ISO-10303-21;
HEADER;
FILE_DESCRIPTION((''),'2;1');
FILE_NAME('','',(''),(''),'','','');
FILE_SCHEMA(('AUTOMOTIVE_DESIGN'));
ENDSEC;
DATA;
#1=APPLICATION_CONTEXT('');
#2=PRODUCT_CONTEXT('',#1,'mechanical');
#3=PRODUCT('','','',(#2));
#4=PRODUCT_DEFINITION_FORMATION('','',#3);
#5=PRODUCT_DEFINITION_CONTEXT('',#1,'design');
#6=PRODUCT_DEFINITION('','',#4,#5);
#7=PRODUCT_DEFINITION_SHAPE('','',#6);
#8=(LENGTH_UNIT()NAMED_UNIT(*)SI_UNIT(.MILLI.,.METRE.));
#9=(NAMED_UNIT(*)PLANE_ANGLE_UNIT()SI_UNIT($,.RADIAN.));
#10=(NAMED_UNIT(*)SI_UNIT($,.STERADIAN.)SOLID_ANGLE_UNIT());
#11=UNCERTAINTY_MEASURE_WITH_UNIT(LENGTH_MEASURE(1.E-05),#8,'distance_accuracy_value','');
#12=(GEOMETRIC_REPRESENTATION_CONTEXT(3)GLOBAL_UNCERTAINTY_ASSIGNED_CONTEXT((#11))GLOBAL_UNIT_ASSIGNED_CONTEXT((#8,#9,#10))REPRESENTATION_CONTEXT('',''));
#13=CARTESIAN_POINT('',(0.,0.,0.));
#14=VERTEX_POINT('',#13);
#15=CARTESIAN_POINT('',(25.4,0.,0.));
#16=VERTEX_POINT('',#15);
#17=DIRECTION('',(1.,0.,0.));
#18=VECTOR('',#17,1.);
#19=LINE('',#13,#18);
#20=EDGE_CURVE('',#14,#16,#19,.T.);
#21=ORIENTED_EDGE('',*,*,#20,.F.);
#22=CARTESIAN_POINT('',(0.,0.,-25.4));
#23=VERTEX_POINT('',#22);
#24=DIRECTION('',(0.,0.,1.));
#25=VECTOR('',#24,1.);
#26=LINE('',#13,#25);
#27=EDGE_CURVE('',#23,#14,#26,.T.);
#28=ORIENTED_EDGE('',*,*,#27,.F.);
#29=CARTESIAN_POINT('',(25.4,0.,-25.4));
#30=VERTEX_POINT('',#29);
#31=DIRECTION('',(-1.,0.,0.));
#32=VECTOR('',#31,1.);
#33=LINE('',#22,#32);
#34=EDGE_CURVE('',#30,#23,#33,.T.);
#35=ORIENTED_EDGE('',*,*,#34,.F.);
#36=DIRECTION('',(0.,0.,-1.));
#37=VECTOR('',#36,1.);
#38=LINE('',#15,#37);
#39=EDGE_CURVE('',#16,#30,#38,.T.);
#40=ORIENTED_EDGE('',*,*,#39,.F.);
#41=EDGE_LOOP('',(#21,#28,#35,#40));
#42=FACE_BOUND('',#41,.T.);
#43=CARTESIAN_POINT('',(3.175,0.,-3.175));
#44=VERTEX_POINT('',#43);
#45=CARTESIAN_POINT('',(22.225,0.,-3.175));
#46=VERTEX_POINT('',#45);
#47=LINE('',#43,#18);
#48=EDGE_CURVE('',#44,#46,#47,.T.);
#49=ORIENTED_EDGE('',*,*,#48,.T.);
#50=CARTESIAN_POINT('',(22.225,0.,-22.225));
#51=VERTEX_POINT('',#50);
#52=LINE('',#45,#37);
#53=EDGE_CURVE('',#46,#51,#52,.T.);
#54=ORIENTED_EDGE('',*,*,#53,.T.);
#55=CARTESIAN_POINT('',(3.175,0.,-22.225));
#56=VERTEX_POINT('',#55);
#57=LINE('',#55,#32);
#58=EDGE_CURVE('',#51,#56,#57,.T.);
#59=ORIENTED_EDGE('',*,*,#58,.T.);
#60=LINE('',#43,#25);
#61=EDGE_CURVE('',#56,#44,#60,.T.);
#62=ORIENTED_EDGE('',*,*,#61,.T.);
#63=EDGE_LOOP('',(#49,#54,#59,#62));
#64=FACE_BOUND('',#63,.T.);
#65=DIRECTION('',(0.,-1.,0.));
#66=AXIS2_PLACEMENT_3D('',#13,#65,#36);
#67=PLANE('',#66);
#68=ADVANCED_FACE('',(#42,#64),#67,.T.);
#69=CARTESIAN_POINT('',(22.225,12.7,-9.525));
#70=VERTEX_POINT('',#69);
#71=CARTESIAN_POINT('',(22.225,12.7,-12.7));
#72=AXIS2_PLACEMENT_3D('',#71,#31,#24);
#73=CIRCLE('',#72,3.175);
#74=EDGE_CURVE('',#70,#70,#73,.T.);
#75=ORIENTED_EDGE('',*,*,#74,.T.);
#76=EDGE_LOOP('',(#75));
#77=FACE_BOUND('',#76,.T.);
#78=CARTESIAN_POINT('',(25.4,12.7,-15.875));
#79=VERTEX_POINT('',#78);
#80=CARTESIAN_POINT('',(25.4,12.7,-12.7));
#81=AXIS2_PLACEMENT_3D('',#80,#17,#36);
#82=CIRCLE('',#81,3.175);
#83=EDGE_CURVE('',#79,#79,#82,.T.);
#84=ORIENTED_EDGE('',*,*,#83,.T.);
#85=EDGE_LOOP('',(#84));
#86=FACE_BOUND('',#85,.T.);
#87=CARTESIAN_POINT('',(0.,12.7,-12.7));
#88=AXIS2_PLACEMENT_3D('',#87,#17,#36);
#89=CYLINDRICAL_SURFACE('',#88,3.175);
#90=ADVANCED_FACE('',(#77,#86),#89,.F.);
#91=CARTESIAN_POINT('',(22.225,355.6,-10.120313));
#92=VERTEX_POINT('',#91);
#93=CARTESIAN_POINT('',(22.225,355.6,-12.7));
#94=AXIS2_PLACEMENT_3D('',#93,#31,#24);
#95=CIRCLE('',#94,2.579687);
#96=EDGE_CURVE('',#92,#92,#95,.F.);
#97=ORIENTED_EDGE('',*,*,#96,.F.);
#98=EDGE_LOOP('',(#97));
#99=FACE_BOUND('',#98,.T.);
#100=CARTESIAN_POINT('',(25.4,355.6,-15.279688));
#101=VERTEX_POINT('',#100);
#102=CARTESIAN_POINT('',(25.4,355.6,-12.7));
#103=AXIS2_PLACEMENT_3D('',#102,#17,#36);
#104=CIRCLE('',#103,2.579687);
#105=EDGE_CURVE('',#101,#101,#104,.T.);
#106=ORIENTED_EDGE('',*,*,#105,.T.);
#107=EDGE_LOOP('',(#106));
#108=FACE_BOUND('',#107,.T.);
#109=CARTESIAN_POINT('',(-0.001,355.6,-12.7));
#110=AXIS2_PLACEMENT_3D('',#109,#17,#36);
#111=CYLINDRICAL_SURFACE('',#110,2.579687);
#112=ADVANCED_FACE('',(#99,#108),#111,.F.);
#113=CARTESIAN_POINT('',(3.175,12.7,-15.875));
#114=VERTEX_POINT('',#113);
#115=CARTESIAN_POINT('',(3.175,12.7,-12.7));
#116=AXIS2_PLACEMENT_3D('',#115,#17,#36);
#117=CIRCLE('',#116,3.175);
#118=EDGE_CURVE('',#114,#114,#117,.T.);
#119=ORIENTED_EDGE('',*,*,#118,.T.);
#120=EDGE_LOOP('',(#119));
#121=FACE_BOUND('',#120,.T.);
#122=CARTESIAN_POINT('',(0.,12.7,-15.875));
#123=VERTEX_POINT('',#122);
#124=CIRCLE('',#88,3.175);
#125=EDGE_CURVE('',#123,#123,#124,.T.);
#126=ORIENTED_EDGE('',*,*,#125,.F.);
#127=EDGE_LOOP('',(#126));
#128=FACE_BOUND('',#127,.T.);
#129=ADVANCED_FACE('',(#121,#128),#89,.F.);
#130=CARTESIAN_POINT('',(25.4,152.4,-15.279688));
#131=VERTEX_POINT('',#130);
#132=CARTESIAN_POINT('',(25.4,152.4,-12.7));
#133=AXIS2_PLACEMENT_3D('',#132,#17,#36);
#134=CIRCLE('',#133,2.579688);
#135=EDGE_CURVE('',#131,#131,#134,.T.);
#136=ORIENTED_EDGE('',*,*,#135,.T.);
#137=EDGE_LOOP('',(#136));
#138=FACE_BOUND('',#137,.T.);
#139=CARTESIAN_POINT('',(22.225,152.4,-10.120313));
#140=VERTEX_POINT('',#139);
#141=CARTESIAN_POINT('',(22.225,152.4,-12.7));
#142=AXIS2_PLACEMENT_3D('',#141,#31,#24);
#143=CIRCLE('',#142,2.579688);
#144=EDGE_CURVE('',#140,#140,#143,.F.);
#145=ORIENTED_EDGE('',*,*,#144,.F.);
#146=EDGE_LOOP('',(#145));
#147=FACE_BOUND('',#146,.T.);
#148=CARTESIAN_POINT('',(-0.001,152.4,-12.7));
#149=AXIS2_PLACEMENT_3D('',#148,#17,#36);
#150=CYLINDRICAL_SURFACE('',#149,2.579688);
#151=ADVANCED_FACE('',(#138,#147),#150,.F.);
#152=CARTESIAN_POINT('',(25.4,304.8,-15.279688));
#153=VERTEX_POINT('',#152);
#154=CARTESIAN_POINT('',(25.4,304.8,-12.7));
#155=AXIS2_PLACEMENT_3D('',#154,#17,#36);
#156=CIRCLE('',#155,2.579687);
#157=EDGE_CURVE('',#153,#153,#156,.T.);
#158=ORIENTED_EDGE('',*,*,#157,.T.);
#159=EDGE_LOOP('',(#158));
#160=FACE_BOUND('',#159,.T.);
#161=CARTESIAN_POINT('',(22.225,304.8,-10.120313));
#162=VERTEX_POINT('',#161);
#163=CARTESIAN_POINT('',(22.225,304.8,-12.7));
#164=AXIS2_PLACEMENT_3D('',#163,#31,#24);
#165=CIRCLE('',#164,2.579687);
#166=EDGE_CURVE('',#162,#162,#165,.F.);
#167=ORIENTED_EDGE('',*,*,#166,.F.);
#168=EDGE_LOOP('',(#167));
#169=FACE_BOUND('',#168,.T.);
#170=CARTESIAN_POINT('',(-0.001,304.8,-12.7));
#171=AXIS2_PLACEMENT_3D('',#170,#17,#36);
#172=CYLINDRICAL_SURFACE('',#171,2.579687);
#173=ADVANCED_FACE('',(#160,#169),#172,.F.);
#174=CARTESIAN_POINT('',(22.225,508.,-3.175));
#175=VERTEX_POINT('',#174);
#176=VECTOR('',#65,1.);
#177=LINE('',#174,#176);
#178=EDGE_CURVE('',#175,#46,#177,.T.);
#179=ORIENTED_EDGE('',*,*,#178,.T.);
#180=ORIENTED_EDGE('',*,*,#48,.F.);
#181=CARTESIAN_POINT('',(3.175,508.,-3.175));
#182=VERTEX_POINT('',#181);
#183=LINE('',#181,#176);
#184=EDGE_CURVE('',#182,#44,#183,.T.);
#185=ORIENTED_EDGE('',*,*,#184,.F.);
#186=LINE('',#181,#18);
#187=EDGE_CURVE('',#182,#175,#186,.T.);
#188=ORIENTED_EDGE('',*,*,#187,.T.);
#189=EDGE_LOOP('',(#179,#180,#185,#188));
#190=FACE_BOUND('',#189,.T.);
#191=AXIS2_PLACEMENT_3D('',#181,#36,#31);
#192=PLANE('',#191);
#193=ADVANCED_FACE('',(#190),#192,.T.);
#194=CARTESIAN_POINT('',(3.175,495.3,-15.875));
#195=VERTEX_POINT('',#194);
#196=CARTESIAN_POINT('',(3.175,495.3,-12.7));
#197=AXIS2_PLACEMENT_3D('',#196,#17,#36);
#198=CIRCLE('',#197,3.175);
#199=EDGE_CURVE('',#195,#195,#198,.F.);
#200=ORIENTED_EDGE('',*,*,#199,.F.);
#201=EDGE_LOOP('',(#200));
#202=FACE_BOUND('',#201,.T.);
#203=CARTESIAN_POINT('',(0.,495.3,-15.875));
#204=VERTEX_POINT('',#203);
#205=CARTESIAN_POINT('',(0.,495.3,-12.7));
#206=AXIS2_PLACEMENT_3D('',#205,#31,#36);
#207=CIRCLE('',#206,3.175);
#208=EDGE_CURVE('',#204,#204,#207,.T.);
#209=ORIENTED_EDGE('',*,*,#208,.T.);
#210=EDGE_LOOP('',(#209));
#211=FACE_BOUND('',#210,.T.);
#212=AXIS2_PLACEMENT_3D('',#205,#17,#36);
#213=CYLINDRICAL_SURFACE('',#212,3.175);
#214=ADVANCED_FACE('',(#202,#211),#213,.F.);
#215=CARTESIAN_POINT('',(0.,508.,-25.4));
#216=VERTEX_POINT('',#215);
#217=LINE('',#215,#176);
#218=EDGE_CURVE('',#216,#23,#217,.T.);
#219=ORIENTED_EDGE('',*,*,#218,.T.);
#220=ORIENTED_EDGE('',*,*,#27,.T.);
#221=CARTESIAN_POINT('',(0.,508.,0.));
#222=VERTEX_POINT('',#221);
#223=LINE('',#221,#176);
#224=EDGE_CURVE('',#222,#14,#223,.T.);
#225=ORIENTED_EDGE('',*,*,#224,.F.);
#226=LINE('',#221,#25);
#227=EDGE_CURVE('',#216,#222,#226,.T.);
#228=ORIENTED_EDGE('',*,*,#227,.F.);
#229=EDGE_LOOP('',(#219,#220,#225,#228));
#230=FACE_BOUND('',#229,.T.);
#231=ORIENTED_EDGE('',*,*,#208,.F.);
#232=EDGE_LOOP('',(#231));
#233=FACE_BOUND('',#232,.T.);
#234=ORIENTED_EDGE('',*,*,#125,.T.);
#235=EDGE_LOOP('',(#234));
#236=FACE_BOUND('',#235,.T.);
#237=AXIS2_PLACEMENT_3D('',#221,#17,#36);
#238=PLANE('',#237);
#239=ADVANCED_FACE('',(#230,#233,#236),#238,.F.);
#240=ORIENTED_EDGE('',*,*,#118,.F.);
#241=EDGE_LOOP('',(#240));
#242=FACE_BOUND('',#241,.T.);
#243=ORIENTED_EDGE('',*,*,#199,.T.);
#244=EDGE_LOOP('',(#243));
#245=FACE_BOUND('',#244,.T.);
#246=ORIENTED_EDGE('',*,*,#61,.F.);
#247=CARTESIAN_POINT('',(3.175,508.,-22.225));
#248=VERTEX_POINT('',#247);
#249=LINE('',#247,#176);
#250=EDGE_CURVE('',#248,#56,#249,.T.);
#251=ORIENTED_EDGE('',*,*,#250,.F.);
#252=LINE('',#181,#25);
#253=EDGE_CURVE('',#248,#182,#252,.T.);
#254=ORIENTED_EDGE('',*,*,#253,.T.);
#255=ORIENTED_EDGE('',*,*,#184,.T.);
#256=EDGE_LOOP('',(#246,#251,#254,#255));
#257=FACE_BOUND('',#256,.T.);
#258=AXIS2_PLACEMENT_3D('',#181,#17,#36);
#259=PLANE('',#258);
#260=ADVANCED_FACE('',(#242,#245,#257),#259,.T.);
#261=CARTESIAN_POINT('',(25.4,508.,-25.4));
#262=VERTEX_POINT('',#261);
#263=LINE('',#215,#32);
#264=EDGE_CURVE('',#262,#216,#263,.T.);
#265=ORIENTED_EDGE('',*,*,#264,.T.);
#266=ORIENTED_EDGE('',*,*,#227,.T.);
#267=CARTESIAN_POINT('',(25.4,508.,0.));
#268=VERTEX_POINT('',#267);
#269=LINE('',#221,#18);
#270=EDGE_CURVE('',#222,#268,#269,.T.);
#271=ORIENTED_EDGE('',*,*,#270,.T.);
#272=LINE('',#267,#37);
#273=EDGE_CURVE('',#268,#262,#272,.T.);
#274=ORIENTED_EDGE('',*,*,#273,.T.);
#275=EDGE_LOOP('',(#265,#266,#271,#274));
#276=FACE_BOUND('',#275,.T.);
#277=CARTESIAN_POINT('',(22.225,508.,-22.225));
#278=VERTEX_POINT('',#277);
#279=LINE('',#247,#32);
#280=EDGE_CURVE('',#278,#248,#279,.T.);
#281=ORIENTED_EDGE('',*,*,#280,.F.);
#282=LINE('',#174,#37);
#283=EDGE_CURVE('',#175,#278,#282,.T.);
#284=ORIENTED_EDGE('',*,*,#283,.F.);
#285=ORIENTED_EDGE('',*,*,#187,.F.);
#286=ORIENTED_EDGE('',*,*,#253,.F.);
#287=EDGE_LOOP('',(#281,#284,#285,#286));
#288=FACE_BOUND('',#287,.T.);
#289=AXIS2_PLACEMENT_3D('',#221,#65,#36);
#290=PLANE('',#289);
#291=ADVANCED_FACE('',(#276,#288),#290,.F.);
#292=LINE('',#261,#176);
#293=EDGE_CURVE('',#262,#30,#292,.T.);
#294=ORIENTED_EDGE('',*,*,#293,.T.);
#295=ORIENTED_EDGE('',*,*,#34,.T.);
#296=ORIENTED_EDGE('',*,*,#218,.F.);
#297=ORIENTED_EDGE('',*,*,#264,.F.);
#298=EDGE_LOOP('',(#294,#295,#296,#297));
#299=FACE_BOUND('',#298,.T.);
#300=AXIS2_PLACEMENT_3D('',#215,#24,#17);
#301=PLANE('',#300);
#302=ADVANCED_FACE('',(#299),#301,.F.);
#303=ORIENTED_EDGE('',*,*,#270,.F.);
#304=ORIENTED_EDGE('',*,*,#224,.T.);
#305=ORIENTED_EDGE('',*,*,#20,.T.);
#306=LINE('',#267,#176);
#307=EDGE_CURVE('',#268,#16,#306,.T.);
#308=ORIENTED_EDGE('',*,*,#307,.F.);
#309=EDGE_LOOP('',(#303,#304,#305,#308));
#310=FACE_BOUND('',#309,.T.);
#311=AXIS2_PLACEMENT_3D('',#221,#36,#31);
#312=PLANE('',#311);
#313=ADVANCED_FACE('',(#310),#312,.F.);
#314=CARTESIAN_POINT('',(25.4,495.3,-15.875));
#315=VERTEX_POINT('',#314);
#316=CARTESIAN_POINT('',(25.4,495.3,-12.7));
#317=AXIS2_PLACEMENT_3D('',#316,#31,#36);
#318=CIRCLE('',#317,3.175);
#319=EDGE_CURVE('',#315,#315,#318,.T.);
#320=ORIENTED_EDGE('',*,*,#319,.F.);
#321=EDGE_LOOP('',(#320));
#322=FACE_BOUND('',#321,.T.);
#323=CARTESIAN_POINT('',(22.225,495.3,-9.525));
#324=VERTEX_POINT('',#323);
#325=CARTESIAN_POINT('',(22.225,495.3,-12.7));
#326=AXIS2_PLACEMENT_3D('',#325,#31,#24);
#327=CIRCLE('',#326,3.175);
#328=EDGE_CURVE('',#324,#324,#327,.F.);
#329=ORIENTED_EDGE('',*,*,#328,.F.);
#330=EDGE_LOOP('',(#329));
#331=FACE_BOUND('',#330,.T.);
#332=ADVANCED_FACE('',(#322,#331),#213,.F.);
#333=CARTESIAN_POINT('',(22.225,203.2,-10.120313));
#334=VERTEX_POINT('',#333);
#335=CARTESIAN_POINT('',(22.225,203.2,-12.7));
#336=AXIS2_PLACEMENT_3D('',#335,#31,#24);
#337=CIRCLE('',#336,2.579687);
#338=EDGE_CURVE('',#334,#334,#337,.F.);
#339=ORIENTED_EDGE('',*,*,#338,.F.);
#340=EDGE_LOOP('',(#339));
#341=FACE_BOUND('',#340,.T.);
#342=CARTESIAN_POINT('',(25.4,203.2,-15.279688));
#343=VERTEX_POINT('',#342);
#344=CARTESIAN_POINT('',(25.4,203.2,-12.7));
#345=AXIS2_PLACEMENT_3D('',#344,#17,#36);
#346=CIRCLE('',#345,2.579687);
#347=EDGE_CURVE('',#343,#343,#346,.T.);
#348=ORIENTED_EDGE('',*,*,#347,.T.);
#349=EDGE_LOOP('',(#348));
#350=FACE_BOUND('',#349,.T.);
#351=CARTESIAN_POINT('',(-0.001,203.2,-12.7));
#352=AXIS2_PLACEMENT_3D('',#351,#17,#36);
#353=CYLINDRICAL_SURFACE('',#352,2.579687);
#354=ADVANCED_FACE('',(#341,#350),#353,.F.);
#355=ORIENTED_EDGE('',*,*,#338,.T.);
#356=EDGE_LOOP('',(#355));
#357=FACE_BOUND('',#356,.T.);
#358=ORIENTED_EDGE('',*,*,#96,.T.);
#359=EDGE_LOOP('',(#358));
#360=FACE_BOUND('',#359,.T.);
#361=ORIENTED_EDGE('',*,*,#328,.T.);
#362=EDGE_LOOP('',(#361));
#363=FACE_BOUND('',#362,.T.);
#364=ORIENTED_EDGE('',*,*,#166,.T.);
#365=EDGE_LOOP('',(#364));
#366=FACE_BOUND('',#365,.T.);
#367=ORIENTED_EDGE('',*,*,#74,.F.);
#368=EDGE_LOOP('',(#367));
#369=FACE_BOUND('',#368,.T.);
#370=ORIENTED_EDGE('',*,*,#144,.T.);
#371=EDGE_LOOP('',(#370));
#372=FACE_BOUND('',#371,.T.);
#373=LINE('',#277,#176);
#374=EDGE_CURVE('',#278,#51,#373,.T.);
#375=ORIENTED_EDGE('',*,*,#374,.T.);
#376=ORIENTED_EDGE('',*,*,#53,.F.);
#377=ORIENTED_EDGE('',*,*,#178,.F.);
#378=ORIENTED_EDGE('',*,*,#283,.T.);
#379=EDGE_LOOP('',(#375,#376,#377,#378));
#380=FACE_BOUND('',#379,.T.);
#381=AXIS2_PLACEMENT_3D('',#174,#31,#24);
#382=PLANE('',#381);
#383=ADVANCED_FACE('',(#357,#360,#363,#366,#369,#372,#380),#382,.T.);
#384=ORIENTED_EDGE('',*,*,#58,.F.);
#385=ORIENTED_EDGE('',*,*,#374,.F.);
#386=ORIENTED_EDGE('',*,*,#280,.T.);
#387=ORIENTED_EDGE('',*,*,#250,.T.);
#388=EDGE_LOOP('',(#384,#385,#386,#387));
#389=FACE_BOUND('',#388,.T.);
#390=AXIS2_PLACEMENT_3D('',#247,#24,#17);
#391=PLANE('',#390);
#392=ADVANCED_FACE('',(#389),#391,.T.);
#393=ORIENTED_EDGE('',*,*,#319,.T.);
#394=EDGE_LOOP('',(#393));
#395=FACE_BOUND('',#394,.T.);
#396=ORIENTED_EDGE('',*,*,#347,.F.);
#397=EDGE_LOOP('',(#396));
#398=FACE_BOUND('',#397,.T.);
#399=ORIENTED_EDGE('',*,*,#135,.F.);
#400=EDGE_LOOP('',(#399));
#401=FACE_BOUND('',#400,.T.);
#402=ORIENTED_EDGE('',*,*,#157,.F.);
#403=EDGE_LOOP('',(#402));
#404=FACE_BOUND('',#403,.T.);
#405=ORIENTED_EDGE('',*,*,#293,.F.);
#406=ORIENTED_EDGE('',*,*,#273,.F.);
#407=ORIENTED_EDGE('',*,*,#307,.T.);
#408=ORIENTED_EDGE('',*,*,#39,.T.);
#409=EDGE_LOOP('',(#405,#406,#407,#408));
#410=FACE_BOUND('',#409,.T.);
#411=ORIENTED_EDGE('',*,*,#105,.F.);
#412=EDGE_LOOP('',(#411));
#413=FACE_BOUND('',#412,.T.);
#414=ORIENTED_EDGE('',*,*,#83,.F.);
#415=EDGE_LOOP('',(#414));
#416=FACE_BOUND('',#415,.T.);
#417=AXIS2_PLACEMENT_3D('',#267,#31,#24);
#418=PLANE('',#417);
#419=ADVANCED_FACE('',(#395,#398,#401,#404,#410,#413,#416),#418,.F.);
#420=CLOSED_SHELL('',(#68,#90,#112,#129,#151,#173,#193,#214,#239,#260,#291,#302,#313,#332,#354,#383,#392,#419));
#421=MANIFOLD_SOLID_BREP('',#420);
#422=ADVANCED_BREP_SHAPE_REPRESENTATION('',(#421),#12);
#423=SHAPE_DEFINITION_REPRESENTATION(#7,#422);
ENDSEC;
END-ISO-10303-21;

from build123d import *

# Parameters (mm, degrees)
SKETCH1_W           = 25.4
SKETCH1_H           = 25.4
SKETCH1_W_2         = 19.05
SKETCH1_H_2         = 19.05
BOSS_EXTRUDE1_DEPTH = 508
SKETCH2_R           = 3.175
CUT_EXTRUDE1_DEPTH  = 510.268416456
CUT_EXTRUDE2_REACH  = 511.268
SKETCH3_R           = 2.5796875


with BuildPart() as part:
    # Sketch1 → Boss-Extrude1 (new body)
    with BuildSketch(Plane(origin=(0, 0, 0), x_dir=(1, 0, 0), z_dir=(0, 1, 0))):
        with Locations((12.7, 12.7)):
            Rectangle(SKETCH1_W, SKETCH1_H)
        with Locations((12.7, 12.7)):
            Rectangle(SKETCH1_W_2, SKETCH1_H_2, mode=Mode.SUBTRACT)
    extrude(amount=BOSS_EXTRUDE1_DEPTH)

    # Sketch2 → Cut-Extrude1 (cut, through all)
    with BuildSketch(Plane(origin=(25.4, 0, 0), x_dir=(0, 0, -1), z_dir=(1, 0, 0))):
        with Locations((12.7, 12.7)):
            Circle(SKETCH2_R)
    cut_extrude1 = extrude(amount=-CUT_EXTRUDE1_DEPTH, mode=Mode.SUBTRACT)

    # Mirror1: Cut-Extrude1 across plane
    add(cut_extrude1.mirror(Plane.ZX.offset(254)), mode=Mode.SUBTRACT)

    # Sketch3 → Cut-Extrude2 (cut, up to next)
    with BuildSketch(Plane(origin=(25.4, 0, 0), x_dir=(0, 0, -1), z_dir=(1, 0, 0)), mode=Mode.PRIVATE) as cut_extrude2_sk1:
        with Locations((12.7, 304.800000001)):
            Circle(SKETCH3_R)
    cut_extrude2_tool1 = extrude(cut_extrude2_sk1.sketch, amount=-CUT_EXTRUDE2_REACH, mode=Mode.PRIVATE) & part.part
    # Sketch3 → Cut-Extrude2 (cut, up to next)
    with BuildSketch(Plane(origin=(25.4, 0, 0), x_dir=(0, 0, -1), z_dir=(1, 0, 0)), mode=Mode.PRIVATE) as cut_extrude2_sk2:
        with Locations((12.7, 355.600000001)):
            Circle(SKETCH3_R)
    cut_extrude2_tool2 = extrude(cut_extrude2_sk2.sketch, amount=-CUT_EXTRUDE2_REACH, mode=Mode.PRIVATE) & part.part
    # Sketch3 → Cut-Extrude2 (cut, up to next)
    with BuildSketch(Plane(origin=(25.4, 0, 0), x_dir=(0, 0, -1), z_dir=(1, 0, 0)), mode=Mode.PRIVATE) as cut_extrude2_sk3:
        with Locations((12.7, 203.200000001)):
            Circle(SKETCH3_R)
    cut_extrude2_tool3 = extrude(cut_extrude2_sk3.sketch, amount=-CUT_EXTRUDE2_REACH, mode=Mode.PRIVATE) & part.part
    # Sketch3 → Cut-Extrude2 (cut, up to next)
    with BuildSketch(Plane(origin=(25.4, 0, 0), x_dir=(0, 0, -1), z_dir=(1, 0, 0)), mode=Mode.PRIVATE) as cut_extrude2_sk4:
        with Locations((12.7, 152.400000001)):
            Circle(SKETCH3_R)
    cut_extrude2_tool4 = extrude(cut_extrude2_sk4.sketch, amount=-CUT_EXTRUDE2_REACH, mode=Mode.PRIVATE) & part.part
    add(cut_extrude2_tool1.solids().sort_by_distance((25.4, 304.8, -12.7))[0], mode=Mode.SUBTRACT)
    add(cut_extrude2_tool2.solids().sort_by_distance((25.4, 355.6, -12.7))[0], mode=Mode.SUBTRACT)
    add(cut_extrude2_tool3.solids().sort_by_distance((25.4, 203.2, -12.7))[0], mode=Mode.SUBTRACT)
    add(cut_extrude2_tool4.solids().sort_by_distance((25.4, 152.4, -12.7))[0], mode=Mode.SUBTRACT)


solid = part.part
